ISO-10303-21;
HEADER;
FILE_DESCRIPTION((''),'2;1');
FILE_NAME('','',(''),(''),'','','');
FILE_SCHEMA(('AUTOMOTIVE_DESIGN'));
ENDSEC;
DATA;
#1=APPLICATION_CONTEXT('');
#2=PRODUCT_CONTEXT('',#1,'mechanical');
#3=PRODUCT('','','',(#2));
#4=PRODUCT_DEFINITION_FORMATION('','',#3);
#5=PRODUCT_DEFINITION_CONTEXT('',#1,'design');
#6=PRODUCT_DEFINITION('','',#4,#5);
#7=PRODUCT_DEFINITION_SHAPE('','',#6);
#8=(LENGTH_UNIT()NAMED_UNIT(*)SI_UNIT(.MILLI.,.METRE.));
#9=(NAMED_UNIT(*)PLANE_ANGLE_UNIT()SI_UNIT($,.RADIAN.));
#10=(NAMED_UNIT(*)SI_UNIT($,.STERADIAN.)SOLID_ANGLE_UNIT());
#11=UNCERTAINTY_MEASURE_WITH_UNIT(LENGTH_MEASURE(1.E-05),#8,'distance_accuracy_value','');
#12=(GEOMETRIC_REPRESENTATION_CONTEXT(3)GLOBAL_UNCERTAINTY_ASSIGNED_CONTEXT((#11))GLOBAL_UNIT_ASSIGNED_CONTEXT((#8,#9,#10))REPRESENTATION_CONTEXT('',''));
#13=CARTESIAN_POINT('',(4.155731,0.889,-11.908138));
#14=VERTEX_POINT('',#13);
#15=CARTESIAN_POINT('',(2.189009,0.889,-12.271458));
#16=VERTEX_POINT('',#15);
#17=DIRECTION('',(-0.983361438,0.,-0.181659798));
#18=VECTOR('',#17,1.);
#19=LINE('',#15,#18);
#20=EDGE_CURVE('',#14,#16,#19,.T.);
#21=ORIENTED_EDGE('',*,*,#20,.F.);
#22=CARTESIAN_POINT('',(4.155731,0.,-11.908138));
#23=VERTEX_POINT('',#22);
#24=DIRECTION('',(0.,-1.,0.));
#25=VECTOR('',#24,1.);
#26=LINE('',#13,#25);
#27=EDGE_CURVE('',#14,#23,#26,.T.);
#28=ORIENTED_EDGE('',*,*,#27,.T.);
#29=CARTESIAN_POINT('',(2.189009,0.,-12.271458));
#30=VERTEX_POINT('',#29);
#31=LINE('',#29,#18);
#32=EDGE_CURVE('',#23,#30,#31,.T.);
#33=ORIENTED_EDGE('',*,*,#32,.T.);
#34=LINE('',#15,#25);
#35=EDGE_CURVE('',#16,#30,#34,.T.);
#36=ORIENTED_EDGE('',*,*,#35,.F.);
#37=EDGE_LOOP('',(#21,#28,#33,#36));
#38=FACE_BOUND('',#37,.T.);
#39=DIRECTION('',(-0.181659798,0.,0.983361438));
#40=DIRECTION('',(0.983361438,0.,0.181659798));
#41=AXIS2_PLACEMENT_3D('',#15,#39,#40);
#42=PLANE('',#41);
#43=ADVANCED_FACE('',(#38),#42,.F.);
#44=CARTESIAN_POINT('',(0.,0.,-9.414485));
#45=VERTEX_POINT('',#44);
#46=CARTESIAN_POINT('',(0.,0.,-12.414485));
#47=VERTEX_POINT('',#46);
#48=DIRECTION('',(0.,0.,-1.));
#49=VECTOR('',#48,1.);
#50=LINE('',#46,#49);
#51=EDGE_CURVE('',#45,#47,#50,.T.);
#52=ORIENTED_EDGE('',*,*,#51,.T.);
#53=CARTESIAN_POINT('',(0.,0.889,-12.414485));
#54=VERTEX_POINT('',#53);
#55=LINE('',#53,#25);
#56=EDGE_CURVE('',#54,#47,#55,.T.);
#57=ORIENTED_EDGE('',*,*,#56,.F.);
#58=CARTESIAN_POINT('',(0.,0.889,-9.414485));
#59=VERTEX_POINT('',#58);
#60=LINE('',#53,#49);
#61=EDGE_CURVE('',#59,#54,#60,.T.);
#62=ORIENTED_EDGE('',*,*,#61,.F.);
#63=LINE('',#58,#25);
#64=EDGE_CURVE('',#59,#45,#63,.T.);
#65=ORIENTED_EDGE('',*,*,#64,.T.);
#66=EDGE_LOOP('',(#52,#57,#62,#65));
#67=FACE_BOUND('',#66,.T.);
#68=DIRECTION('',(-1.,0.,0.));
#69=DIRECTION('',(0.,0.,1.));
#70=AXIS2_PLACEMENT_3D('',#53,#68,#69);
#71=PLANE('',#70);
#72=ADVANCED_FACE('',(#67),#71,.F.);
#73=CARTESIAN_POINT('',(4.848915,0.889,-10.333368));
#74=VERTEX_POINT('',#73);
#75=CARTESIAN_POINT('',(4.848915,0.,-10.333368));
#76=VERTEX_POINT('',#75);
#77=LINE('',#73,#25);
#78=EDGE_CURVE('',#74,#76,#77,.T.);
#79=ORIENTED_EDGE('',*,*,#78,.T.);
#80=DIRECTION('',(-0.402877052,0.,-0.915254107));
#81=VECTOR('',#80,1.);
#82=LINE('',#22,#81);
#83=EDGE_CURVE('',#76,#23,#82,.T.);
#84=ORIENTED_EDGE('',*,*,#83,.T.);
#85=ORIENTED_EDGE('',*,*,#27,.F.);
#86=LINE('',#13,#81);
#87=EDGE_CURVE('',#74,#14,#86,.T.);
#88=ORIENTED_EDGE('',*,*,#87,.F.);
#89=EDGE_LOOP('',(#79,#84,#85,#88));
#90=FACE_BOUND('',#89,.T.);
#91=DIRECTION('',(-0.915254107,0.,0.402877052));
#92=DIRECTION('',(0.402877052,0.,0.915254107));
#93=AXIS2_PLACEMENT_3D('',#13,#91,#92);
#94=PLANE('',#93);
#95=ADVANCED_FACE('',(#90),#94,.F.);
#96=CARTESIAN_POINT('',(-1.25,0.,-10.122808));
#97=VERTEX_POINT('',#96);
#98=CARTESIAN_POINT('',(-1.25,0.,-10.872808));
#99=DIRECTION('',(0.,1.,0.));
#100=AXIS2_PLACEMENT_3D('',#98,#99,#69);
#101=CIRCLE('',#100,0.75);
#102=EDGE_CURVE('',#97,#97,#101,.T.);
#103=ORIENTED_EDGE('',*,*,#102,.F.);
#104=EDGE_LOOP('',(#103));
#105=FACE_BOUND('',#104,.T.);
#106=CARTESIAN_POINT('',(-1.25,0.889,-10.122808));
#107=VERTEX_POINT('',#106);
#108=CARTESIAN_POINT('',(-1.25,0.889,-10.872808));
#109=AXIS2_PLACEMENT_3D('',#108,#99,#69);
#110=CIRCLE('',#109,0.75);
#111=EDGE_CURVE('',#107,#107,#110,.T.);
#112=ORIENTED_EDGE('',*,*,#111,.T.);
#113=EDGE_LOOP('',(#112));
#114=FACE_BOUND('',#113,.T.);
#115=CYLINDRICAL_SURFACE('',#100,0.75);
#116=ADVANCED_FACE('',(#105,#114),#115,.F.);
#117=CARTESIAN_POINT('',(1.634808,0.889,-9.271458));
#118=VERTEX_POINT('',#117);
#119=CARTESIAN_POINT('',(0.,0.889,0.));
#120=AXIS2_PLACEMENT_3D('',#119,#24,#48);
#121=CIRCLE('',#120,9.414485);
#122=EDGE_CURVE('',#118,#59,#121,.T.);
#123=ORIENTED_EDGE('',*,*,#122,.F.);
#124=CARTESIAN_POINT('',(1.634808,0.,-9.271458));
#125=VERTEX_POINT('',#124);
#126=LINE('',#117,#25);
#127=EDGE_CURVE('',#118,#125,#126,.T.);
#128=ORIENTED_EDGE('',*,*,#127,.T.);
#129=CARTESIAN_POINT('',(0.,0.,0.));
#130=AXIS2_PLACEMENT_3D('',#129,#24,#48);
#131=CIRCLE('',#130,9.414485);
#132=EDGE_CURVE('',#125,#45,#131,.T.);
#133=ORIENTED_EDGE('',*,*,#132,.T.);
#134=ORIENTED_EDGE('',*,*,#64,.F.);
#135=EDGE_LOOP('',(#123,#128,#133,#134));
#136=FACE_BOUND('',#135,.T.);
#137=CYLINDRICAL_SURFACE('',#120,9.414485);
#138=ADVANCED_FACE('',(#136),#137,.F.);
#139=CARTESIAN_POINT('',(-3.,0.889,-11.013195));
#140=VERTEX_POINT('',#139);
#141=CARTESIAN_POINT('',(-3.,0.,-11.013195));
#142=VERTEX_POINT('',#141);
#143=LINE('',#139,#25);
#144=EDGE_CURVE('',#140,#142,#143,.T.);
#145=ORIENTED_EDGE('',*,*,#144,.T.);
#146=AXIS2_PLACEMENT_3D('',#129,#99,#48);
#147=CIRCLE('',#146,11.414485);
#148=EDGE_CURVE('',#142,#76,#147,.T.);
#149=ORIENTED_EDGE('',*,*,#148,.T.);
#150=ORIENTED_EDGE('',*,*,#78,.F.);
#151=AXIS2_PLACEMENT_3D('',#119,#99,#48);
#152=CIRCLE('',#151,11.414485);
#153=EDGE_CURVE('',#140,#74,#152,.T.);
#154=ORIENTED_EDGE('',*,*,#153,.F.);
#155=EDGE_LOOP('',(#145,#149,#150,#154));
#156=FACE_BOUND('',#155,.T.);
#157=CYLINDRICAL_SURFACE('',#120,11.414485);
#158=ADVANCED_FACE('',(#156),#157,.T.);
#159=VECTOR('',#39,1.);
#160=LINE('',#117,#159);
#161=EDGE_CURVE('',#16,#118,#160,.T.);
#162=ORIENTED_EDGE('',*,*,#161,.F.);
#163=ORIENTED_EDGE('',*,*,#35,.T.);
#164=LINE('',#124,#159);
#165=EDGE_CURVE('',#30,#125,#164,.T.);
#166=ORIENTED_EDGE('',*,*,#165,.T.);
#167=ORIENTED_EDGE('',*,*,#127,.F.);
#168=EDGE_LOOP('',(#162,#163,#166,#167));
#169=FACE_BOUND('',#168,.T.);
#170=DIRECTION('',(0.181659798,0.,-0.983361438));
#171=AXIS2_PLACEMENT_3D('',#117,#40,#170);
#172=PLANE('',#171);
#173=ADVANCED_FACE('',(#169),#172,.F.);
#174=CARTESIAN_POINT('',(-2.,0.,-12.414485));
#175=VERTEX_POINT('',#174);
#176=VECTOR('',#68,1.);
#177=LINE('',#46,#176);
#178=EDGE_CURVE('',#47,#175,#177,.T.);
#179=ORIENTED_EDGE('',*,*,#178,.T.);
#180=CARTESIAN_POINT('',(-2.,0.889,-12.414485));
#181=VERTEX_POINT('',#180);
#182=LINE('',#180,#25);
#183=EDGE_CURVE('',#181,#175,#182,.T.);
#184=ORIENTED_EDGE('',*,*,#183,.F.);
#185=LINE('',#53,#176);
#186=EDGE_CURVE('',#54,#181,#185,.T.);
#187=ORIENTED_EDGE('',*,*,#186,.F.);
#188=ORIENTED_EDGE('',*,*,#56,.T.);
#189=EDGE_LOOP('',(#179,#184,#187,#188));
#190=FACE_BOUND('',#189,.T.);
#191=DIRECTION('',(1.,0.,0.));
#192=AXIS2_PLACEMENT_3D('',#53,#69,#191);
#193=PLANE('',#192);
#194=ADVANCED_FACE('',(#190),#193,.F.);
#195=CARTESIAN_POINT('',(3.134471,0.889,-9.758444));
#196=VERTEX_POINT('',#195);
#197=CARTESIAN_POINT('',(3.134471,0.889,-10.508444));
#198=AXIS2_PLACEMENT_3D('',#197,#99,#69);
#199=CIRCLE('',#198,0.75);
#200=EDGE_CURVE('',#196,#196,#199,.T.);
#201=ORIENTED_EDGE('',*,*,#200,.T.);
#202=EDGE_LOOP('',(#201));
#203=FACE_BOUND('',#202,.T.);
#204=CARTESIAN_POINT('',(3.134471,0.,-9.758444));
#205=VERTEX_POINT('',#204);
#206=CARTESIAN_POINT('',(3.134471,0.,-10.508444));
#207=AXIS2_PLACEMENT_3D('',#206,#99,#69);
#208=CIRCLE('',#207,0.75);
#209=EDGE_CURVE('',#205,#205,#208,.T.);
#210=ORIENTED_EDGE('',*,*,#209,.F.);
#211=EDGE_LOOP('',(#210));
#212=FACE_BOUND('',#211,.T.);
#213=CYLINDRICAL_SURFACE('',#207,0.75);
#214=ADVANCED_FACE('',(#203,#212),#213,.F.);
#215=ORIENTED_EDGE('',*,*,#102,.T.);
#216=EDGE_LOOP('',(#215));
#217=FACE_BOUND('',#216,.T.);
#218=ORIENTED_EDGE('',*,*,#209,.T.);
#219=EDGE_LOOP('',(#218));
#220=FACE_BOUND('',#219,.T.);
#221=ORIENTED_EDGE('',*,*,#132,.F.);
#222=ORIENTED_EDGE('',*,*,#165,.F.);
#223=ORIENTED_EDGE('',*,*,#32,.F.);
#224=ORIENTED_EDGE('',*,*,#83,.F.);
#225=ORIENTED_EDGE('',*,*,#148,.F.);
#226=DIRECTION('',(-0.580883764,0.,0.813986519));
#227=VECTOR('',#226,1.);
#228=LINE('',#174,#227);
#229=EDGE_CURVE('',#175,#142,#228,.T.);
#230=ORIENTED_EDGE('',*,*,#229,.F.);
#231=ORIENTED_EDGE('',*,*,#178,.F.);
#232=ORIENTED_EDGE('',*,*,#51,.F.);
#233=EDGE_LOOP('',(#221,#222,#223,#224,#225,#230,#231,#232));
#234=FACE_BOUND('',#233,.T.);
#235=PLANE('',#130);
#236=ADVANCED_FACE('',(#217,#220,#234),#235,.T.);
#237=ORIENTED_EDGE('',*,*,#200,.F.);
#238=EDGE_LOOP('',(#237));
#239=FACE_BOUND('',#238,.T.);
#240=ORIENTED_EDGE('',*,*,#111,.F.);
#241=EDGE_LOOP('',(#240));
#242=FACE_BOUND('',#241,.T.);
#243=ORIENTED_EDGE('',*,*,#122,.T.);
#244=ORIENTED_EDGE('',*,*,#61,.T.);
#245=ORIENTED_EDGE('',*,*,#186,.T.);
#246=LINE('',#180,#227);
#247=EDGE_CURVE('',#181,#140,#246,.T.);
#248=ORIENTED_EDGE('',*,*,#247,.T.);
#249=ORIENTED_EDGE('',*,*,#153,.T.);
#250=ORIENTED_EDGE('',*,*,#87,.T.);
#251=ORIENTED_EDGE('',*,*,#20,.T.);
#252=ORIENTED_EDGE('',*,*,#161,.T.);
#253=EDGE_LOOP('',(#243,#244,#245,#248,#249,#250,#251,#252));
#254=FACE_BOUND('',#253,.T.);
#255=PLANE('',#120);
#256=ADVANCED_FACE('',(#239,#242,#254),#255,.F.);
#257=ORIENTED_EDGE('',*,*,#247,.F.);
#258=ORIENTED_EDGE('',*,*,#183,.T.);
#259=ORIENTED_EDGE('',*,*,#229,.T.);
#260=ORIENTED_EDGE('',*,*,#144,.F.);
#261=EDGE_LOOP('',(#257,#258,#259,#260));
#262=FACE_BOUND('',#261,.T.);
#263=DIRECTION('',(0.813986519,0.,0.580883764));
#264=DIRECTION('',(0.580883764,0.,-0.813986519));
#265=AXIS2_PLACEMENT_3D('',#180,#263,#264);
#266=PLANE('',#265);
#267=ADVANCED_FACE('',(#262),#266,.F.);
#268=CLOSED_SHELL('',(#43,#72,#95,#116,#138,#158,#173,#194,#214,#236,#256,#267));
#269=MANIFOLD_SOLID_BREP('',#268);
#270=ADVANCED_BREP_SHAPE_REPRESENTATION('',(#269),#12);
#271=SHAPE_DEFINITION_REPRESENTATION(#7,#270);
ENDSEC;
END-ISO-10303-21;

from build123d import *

# Parameters (mm, degrees)
BOSS_EXTRUDE1_DEPTH = 0.889
SKETCH4_R           = 0.75
CUT_EXTRUDE2_DEPTH  = 0.889


with BuildPart() as part:
    # Sketch1 → Boss-Extrude1 (new body)
    with BuildSketch(Plane(origin=(0, 0, 0), x_dir=(1, 0, 0), z_dir=(0, 1, 0))):
        with BuildLine():
            Line((0, 12.414484685), (-2, 12.414484685))
            Line((-2, 12.414484685), (-3, 11.013194842))
            ThreePointArc((-3, 11.013194842), (-0.984968358, -11.371908281), (4.848914718, 10.333367635))
            Line((4.848914718, 10.333367635), (4.155731478, 11.908137913))
            Line((4.155731478, 11.908137913), (2.189008602, 12.271457509))
            Line((2.189008602, 12.271457509), (1.634808109, 9.271457509))
            ThreePointArc((1.634808109, 9.271457509), (-0.820526405, -9.378659729), (0, 9.414484685))
            Line((0, 9.414484685), (0, 12.414484685))
        make_face()
    extrude(amount=BOSS_EXTRUDE1_DEPTH)

    # Sketch4 → Cut-Extrude2 (cut)
    with BuildSketch(Plane(origin=(0, 0.889, 0), x_dir=(1, 0, 0), z_dir=(0, 1, 0))):
        with Locations(Location((-1.25, 10.872808275, 0), (0, 0, 270))):
            Circle(SKETCH4_R)
        with Locations(Location((3.134471061, 10.508444008, 0), (0, 0, 270))):
            Circle(SKETCH4_R)
    extrude(amount=-CUT_EXTRUDE2_DEPTH, mode=Mode.SUBTRACT)


solid = part.part
